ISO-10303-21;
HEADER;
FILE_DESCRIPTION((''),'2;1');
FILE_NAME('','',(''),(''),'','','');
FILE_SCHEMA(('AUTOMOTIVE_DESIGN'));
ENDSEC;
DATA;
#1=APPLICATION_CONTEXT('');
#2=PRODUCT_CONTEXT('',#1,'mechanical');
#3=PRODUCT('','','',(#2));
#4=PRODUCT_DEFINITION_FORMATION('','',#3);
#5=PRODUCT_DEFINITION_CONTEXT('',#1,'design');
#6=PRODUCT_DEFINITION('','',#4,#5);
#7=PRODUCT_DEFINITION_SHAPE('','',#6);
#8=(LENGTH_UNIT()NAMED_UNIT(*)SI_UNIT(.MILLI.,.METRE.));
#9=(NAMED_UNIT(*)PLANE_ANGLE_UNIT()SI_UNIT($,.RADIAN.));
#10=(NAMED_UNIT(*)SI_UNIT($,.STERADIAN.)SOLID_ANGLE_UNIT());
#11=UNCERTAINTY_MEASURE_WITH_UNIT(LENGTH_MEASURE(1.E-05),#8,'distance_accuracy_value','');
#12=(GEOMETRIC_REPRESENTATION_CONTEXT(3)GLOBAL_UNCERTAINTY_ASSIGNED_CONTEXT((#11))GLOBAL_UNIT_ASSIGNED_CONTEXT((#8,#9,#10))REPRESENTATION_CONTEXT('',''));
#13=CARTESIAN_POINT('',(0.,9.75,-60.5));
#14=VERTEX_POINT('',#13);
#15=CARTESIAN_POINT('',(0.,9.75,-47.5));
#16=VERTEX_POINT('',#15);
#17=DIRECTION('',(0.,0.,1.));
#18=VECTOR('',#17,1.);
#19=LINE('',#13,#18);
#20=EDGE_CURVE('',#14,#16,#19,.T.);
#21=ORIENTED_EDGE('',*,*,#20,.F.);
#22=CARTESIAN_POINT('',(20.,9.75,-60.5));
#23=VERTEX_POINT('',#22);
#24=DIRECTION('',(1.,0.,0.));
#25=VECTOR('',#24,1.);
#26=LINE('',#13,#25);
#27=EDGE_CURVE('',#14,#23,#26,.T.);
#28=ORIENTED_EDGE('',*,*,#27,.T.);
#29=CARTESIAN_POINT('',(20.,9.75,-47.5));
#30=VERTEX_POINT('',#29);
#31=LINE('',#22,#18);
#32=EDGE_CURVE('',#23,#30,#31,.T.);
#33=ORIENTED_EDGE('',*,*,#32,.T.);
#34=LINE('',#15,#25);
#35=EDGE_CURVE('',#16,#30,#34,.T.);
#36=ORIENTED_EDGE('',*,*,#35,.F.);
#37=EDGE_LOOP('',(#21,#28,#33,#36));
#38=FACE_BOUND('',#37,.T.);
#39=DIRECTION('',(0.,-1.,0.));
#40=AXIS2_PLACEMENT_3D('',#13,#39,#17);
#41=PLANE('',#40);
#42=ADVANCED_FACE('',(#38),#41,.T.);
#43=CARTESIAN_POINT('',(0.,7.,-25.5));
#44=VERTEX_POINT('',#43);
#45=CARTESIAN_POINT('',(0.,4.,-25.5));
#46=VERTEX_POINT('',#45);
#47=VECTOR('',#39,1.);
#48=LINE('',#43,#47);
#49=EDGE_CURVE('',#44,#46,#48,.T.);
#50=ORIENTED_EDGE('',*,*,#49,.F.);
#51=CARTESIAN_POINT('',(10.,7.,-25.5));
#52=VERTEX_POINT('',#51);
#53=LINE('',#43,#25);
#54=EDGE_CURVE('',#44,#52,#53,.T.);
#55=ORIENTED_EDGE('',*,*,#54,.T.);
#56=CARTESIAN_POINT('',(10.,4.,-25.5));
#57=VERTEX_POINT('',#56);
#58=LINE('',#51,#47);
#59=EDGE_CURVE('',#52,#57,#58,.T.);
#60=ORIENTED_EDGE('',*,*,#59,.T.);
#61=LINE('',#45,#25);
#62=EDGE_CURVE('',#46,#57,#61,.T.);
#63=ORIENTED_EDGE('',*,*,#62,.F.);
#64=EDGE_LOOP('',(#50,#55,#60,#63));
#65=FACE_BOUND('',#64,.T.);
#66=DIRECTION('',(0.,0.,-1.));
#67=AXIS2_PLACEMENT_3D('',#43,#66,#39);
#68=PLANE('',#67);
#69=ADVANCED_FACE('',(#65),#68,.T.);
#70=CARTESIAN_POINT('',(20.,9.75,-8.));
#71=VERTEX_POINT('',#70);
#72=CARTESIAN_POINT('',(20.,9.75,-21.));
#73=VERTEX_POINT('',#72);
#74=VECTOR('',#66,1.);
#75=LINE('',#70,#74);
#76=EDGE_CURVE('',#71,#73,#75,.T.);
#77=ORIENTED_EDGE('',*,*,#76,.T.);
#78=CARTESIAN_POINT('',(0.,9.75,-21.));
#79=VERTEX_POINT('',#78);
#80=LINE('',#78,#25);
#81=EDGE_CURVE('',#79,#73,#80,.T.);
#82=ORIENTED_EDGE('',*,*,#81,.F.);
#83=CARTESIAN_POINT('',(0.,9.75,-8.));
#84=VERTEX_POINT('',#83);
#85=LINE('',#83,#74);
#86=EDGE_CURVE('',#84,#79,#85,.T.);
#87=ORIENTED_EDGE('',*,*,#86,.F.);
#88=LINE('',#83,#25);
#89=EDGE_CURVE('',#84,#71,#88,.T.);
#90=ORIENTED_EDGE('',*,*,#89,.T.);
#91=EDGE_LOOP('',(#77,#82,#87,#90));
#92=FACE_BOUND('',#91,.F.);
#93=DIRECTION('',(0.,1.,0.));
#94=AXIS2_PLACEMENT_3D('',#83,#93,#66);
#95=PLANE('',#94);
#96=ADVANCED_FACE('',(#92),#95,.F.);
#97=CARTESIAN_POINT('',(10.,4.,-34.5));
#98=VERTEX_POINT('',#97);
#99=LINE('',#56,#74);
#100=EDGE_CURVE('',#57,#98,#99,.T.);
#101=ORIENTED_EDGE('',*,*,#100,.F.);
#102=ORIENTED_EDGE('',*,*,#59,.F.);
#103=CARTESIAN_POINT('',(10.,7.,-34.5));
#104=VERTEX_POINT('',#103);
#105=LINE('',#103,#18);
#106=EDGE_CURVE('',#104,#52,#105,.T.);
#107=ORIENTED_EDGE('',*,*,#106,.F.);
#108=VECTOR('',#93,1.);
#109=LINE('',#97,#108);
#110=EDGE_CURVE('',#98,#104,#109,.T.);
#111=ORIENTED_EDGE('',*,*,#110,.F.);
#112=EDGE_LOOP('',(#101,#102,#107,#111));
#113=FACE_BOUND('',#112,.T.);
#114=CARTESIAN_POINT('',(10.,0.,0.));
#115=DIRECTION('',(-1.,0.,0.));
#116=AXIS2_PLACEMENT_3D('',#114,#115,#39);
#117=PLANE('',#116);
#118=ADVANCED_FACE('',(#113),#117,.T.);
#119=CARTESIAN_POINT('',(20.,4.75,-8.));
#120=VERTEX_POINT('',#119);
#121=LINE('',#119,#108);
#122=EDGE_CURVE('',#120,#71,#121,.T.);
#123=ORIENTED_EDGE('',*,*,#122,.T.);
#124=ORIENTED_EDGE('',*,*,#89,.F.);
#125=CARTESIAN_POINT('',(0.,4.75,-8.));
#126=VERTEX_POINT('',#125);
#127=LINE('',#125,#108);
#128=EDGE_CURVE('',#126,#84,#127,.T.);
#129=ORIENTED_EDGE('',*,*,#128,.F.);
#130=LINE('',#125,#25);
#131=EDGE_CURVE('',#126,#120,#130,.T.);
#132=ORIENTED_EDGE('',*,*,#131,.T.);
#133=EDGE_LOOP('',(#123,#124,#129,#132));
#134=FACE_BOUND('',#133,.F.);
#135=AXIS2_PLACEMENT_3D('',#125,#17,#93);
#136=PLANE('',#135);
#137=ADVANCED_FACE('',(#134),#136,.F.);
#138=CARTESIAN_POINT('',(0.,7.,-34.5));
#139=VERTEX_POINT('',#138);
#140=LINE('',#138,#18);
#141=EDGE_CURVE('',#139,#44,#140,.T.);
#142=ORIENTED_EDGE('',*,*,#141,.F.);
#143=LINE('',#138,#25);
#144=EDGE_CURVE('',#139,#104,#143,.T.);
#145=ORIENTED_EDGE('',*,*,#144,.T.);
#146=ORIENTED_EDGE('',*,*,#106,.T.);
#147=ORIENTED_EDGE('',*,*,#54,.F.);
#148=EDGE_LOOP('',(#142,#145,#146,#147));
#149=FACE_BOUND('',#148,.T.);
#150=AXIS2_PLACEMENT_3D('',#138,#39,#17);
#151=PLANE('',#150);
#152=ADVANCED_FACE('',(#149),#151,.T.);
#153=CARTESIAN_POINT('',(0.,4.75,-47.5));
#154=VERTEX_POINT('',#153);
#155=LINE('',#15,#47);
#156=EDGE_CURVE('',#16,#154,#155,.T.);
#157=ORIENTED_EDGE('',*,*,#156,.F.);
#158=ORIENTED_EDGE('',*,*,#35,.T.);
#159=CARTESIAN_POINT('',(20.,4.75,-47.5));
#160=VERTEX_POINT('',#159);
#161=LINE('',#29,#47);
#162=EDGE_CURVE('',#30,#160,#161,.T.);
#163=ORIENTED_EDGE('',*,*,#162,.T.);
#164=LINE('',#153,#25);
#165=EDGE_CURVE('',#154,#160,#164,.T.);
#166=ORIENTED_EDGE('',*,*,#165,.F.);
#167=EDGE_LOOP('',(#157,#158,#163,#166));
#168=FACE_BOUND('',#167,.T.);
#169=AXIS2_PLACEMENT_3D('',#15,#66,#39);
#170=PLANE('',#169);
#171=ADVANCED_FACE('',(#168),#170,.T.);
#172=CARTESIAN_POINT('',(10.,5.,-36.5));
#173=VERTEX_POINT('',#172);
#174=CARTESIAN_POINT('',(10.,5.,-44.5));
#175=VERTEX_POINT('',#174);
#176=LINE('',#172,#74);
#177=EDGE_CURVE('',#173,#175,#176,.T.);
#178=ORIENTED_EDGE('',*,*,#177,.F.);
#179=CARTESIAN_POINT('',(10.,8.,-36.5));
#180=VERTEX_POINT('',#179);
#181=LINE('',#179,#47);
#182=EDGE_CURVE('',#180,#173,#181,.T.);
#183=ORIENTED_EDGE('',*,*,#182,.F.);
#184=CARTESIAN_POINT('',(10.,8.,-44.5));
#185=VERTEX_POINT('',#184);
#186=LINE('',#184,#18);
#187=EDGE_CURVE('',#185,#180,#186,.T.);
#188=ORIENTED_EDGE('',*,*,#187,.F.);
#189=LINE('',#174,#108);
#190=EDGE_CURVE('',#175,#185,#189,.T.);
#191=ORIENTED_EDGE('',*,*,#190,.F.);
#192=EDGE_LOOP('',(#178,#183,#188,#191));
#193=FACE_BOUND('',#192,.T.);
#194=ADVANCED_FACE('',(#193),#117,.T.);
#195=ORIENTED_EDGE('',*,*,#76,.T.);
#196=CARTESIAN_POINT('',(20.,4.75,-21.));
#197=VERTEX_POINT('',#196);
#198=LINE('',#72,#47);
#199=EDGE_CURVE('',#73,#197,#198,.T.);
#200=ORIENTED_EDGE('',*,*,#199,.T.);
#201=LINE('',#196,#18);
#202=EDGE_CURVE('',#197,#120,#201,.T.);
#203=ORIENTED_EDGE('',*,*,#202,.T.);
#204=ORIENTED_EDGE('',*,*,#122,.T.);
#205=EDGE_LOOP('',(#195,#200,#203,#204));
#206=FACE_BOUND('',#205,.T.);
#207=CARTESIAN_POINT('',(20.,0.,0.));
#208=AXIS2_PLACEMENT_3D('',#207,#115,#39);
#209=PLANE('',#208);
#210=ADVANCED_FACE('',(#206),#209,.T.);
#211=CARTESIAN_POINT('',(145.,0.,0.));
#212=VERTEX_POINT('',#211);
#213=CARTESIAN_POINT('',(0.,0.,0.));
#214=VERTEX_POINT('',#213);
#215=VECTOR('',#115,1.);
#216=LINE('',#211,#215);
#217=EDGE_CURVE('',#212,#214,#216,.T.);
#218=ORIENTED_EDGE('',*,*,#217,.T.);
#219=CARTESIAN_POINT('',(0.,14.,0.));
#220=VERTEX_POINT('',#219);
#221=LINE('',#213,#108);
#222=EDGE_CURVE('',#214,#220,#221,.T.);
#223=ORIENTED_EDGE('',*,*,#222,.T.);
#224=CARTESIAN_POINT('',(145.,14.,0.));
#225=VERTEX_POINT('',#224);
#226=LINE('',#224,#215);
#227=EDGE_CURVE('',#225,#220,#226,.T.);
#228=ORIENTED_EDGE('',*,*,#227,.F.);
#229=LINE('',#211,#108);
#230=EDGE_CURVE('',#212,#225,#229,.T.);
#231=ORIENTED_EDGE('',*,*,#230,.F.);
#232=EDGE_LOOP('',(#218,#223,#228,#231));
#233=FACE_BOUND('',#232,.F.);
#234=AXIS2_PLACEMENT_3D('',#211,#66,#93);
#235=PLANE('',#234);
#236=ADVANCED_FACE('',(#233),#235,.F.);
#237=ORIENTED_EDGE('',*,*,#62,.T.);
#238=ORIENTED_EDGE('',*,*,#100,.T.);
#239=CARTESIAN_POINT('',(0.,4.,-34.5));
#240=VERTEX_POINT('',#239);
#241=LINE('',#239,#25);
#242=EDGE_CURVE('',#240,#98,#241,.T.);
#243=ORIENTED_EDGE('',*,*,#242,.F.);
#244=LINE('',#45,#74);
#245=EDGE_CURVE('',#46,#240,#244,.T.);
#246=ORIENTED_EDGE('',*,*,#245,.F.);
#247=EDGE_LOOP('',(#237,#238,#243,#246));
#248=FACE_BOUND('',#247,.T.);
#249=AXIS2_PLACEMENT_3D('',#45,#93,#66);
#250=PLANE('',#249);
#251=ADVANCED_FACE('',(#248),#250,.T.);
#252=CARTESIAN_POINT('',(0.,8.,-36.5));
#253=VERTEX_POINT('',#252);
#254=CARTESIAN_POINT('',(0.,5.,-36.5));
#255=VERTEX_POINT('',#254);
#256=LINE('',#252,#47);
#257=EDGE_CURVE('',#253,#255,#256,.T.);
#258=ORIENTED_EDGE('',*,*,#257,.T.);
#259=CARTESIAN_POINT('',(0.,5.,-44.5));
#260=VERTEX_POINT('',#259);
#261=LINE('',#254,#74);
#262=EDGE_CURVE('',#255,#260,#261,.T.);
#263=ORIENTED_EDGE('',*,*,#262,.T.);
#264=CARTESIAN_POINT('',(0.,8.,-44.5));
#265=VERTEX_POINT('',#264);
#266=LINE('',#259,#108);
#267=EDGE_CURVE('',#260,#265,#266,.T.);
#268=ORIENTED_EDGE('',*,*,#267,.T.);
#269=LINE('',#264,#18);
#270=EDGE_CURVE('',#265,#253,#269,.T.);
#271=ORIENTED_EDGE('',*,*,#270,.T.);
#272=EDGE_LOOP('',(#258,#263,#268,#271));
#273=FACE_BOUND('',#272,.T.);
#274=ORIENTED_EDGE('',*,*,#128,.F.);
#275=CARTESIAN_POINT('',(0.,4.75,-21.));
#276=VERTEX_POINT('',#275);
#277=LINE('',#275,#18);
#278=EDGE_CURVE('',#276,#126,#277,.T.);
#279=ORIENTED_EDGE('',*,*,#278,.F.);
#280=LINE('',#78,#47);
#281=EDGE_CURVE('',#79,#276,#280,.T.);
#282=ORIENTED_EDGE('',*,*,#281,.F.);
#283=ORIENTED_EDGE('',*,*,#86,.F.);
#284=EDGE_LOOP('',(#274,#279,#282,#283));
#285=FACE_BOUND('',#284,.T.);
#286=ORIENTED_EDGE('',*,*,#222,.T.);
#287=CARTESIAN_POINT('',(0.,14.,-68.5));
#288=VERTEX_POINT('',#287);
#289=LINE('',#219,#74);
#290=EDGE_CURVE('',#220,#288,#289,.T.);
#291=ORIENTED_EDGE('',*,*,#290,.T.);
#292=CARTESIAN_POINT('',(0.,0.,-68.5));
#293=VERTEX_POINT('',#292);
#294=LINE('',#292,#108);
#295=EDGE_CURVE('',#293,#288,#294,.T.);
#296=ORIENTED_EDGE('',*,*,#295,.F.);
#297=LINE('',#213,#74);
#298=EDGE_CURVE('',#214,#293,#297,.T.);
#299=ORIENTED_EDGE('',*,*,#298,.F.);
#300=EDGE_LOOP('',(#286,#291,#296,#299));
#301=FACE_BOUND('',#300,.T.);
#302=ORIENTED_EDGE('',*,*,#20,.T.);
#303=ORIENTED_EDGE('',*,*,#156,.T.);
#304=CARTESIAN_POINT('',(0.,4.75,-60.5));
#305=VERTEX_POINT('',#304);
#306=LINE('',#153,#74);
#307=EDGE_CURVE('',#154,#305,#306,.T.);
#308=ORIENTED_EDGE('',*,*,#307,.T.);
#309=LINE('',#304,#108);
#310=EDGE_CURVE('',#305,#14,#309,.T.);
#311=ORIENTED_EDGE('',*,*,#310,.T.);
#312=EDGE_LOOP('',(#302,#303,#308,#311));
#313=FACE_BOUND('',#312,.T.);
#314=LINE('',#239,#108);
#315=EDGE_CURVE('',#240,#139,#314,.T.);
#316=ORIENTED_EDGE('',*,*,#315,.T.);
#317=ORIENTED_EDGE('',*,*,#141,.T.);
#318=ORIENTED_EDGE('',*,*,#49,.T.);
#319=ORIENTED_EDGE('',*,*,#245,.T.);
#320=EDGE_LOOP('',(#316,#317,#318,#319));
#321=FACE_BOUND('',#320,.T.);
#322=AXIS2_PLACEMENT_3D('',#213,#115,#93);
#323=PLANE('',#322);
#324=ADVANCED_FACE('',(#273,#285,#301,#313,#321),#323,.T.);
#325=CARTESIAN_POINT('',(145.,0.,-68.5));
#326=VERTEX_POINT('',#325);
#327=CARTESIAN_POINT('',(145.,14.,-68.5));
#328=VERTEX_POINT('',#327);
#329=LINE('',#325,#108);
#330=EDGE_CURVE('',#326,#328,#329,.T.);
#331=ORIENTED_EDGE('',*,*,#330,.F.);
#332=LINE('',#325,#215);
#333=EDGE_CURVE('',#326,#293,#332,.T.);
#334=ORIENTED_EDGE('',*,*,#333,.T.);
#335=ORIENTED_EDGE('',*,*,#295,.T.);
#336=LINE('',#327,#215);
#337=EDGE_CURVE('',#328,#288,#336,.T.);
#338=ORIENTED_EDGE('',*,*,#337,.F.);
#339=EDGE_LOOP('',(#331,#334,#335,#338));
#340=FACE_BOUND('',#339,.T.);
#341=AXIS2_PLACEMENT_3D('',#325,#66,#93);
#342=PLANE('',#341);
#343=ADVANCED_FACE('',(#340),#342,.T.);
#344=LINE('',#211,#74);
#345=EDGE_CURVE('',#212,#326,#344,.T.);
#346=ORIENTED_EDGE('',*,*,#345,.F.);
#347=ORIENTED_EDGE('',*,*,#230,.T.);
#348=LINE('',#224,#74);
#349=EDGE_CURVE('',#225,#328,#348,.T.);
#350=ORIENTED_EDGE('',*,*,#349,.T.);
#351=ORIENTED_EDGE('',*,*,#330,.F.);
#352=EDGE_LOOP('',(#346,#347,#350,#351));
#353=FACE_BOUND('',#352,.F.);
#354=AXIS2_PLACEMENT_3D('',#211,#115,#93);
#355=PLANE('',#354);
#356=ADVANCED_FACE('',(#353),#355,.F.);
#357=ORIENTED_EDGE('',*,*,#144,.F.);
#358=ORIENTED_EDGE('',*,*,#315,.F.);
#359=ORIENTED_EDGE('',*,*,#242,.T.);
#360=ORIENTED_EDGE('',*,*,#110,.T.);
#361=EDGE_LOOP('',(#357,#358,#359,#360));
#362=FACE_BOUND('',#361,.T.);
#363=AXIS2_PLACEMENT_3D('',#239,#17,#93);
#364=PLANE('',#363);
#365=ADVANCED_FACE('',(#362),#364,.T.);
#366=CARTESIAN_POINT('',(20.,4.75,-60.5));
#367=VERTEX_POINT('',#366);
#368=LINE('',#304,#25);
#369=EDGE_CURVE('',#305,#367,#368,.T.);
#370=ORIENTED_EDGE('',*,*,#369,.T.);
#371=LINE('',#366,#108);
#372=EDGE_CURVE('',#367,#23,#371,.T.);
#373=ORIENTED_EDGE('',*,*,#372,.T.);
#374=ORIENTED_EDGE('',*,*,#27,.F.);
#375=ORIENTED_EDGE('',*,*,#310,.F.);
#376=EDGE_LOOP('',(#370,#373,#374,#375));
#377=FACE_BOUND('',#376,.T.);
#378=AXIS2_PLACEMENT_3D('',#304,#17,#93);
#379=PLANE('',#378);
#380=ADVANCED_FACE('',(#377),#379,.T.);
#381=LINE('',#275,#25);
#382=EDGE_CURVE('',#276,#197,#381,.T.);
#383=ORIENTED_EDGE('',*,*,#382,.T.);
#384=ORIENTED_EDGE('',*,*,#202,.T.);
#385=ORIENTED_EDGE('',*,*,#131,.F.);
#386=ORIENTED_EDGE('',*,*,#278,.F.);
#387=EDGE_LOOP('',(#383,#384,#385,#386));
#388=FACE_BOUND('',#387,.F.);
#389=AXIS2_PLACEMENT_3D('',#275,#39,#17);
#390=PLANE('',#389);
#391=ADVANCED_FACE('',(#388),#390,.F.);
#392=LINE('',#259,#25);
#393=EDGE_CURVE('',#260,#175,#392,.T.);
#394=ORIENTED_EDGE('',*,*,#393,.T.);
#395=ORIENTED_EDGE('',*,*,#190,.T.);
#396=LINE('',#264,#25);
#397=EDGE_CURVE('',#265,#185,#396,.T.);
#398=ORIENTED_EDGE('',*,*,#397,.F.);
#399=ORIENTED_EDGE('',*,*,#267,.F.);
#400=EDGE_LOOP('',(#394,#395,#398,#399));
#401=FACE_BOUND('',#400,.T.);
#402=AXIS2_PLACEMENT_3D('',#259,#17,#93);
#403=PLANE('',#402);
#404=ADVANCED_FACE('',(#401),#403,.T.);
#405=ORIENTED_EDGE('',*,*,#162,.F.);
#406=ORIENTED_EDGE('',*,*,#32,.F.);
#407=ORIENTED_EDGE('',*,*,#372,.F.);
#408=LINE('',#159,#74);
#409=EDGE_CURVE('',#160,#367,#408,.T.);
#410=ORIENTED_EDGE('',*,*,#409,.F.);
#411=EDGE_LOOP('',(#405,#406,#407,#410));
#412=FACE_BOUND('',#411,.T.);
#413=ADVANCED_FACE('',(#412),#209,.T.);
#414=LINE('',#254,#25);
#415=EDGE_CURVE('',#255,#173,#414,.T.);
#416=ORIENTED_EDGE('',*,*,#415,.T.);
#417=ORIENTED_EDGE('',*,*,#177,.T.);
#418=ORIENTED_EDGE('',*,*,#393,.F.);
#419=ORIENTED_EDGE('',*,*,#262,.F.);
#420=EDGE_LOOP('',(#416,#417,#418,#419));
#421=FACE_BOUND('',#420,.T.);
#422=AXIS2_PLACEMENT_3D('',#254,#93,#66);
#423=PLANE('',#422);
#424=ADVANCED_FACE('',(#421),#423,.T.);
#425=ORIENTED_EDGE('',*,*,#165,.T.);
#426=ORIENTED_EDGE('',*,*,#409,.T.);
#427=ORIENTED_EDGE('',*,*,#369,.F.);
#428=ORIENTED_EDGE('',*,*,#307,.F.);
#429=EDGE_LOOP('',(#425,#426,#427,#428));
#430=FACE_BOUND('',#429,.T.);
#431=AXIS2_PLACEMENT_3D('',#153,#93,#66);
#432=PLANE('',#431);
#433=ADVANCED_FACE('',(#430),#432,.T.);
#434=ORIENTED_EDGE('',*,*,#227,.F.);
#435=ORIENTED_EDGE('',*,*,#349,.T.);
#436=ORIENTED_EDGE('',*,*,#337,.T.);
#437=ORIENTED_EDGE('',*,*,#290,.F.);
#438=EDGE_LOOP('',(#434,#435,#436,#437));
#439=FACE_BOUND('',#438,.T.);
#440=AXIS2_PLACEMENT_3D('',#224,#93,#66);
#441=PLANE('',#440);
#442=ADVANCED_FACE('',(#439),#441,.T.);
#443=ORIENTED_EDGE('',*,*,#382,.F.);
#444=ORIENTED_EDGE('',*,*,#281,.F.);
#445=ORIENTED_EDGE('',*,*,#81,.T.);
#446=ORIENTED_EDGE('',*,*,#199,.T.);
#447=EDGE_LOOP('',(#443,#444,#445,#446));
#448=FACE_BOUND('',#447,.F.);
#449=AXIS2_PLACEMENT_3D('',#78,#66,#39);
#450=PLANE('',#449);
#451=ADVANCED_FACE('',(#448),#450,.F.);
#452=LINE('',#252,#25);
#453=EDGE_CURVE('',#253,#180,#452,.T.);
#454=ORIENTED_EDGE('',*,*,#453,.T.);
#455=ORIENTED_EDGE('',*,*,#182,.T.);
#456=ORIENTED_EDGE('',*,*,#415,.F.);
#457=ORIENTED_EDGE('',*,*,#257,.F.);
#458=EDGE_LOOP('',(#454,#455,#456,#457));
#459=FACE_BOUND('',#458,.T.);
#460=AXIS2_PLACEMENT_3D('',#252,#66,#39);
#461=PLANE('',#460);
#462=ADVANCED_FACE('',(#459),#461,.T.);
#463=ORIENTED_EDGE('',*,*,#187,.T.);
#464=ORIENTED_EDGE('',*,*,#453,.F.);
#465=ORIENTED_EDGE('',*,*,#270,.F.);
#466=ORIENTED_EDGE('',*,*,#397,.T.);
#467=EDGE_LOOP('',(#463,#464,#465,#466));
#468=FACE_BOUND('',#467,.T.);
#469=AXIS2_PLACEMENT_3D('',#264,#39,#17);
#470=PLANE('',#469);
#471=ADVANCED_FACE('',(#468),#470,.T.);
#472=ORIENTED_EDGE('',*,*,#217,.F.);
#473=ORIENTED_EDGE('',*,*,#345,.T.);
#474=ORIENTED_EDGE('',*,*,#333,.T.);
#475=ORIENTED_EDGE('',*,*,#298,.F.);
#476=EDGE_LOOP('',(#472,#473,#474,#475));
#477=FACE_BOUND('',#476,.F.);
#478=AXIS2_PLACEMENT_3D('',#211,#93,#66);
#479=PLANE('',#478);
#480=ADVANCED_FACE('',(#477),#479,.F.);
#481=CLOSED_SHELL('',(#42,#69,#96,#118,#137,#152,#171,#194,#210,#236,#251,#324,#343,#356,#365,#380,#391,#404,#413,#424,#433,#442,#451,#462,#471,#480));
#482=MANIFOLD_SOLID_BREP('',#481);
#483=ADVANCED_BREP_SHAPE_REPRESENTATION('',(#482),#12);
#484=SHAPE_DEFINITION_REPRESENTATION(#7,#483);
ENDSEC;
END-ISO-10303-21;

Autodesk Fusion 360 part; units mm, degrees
box "BoxPrimitive1" add length 68.5 width 145 height 14 placed x (0, 0, -1) y (-1, 0, 0) z (0, 1, 0) at (145, 0, 0)
sketch "USB1" plane through (0, 0, 0) normal (-1, 0, 0) x (0, -1, 0)
  line L0 (-14, -68.5) -> (0, -68.5)
  line L1 (0, -68.5) -> (0, 0)
  line L2 (0, 0) -> (-14, 0)
  line L3 (-14, 0) -> (-14, -68.5)
  line L4 (-4.75, -60.5) -> (-9.75, -60.5)
  line L5 (-9.75, -60.5) -> (-9.75, -47.5)
  line L6 (-9.75, -47.5) -> (-4.75, -47.5)
  line L7 (-4.75, -47.5) -> (-4.75, -60.5)
  dimension "d14" = 5
  dimension "d15" = 13
  dimension "d16" = 8
  dimension "d17" = 4.25
extrude "Extrude USB1" cut sketch "USB1" against normal blind 20 contours L4 L5 L6 L7
sketch "USB4" plane through (0, 0, 0) normal (-1, 0, 0) x (0, -1, 0)
  line L0 (-14, -68.5) -> (0, -68.5)
  line L1 (0, -68.5) -> (0, 0)
  line L2 (-14, 0) -> (-14, -68.5)
  line L3 (-9.75, -21) -> (-4.75, -21)
  line L4 (-4.75, -21) -> (-4.75, -8)
  line L5 (-4.75, -8) -> (-9.75, -8)
  line L6 (-9.75, -8) -> (-9.75, -21)
  line L7 (0, 0) -> (-14, 0)
  dimension "d21" = 13
  dimension "d22" = 4.25
  dimension "d23" = 5
  dimension "d53" = 8
extrude "Extrude USB4" cut sketch "USB4" against normal blind 20 contours L3 L4 L5 L6
sketch "Sketch9" plane through (0, 0, 0) normal (-1, 0, 0) x (0, -1, 0)
  line L0 (-5, -44.5) -> (-8, -44.5)
  line L1 (-8, -44.5) -> (-8, -36.5)
  line L2 (-8, -36.5) -> (-5, -36.5)
  line L3 (-5, -36.5) -> (-5, -44.5)
  line L4 (0, -68.5) -> (0, 0)
  line L5 (-9.75, -47.5) -> (-4.75, -47.5)
  dimension "d34" = 8
  dimension "d35" = 3
  dimension "d36" = 5
  dimension "d37" = 3
extrude "Extrude4" cut sketch "Sketch9" against normal blind 10
sketch "Sketch10" plane through (0, 0, 0) normal (-1, 0, 0) x (0, -1, 0)
  line L0 (-4, -34.5) -> (-7, -34.5)
  line L1 (-7, -34.5) -> (-7, -25.5)
  line L2 (-7, -25.5) -> (-4, -25.5)
  line L3 (-4, -25.5) -> (-4, -34.5)
  line L4 (0, -68.5) -> (0, 0)
  line L5 (-9.75, -21) -> (-4.75, -21)
  dimension "d40" = 3
  dimension "d41" = 9
  dimension "d42" = 4
  dimension "d43" = 4.5
extrude "Extrude5" cut sketch "Sketch10" against normal blind 10
sketch "Sketch12" plane through (0, 0, 0) normal (0, 0, 1) x (-1, 0, 0)
  line L0 (0, 0) -> (-145, 0)
  line L1 (-145, 0) -> (-145, -14)
  line L2 (-145, -14) -> (0, -14)
  line L3 (0, 0) -> (0, -13.5)
sketch "Sketch15" plane through (0, 0, -68.5) normal (0, 0, -1) x (1, 0, 0)
  line L0 (145, -14) -> (145, 0)
  line L1 (145, 0) -> (0, 0)
  line L2 (0, 0) -> (0, -14)
  line L3 (0, -14) -> (145, -14)
  line L4 (15, -9.5) -> (25, -9.5)
  line L5 (25, -9.5) -> (25, -4.5)
  line L6 (25, -4.5) -> (15, -4.5)
  line L7 (15, -4.5) -> (15, -9.5)
